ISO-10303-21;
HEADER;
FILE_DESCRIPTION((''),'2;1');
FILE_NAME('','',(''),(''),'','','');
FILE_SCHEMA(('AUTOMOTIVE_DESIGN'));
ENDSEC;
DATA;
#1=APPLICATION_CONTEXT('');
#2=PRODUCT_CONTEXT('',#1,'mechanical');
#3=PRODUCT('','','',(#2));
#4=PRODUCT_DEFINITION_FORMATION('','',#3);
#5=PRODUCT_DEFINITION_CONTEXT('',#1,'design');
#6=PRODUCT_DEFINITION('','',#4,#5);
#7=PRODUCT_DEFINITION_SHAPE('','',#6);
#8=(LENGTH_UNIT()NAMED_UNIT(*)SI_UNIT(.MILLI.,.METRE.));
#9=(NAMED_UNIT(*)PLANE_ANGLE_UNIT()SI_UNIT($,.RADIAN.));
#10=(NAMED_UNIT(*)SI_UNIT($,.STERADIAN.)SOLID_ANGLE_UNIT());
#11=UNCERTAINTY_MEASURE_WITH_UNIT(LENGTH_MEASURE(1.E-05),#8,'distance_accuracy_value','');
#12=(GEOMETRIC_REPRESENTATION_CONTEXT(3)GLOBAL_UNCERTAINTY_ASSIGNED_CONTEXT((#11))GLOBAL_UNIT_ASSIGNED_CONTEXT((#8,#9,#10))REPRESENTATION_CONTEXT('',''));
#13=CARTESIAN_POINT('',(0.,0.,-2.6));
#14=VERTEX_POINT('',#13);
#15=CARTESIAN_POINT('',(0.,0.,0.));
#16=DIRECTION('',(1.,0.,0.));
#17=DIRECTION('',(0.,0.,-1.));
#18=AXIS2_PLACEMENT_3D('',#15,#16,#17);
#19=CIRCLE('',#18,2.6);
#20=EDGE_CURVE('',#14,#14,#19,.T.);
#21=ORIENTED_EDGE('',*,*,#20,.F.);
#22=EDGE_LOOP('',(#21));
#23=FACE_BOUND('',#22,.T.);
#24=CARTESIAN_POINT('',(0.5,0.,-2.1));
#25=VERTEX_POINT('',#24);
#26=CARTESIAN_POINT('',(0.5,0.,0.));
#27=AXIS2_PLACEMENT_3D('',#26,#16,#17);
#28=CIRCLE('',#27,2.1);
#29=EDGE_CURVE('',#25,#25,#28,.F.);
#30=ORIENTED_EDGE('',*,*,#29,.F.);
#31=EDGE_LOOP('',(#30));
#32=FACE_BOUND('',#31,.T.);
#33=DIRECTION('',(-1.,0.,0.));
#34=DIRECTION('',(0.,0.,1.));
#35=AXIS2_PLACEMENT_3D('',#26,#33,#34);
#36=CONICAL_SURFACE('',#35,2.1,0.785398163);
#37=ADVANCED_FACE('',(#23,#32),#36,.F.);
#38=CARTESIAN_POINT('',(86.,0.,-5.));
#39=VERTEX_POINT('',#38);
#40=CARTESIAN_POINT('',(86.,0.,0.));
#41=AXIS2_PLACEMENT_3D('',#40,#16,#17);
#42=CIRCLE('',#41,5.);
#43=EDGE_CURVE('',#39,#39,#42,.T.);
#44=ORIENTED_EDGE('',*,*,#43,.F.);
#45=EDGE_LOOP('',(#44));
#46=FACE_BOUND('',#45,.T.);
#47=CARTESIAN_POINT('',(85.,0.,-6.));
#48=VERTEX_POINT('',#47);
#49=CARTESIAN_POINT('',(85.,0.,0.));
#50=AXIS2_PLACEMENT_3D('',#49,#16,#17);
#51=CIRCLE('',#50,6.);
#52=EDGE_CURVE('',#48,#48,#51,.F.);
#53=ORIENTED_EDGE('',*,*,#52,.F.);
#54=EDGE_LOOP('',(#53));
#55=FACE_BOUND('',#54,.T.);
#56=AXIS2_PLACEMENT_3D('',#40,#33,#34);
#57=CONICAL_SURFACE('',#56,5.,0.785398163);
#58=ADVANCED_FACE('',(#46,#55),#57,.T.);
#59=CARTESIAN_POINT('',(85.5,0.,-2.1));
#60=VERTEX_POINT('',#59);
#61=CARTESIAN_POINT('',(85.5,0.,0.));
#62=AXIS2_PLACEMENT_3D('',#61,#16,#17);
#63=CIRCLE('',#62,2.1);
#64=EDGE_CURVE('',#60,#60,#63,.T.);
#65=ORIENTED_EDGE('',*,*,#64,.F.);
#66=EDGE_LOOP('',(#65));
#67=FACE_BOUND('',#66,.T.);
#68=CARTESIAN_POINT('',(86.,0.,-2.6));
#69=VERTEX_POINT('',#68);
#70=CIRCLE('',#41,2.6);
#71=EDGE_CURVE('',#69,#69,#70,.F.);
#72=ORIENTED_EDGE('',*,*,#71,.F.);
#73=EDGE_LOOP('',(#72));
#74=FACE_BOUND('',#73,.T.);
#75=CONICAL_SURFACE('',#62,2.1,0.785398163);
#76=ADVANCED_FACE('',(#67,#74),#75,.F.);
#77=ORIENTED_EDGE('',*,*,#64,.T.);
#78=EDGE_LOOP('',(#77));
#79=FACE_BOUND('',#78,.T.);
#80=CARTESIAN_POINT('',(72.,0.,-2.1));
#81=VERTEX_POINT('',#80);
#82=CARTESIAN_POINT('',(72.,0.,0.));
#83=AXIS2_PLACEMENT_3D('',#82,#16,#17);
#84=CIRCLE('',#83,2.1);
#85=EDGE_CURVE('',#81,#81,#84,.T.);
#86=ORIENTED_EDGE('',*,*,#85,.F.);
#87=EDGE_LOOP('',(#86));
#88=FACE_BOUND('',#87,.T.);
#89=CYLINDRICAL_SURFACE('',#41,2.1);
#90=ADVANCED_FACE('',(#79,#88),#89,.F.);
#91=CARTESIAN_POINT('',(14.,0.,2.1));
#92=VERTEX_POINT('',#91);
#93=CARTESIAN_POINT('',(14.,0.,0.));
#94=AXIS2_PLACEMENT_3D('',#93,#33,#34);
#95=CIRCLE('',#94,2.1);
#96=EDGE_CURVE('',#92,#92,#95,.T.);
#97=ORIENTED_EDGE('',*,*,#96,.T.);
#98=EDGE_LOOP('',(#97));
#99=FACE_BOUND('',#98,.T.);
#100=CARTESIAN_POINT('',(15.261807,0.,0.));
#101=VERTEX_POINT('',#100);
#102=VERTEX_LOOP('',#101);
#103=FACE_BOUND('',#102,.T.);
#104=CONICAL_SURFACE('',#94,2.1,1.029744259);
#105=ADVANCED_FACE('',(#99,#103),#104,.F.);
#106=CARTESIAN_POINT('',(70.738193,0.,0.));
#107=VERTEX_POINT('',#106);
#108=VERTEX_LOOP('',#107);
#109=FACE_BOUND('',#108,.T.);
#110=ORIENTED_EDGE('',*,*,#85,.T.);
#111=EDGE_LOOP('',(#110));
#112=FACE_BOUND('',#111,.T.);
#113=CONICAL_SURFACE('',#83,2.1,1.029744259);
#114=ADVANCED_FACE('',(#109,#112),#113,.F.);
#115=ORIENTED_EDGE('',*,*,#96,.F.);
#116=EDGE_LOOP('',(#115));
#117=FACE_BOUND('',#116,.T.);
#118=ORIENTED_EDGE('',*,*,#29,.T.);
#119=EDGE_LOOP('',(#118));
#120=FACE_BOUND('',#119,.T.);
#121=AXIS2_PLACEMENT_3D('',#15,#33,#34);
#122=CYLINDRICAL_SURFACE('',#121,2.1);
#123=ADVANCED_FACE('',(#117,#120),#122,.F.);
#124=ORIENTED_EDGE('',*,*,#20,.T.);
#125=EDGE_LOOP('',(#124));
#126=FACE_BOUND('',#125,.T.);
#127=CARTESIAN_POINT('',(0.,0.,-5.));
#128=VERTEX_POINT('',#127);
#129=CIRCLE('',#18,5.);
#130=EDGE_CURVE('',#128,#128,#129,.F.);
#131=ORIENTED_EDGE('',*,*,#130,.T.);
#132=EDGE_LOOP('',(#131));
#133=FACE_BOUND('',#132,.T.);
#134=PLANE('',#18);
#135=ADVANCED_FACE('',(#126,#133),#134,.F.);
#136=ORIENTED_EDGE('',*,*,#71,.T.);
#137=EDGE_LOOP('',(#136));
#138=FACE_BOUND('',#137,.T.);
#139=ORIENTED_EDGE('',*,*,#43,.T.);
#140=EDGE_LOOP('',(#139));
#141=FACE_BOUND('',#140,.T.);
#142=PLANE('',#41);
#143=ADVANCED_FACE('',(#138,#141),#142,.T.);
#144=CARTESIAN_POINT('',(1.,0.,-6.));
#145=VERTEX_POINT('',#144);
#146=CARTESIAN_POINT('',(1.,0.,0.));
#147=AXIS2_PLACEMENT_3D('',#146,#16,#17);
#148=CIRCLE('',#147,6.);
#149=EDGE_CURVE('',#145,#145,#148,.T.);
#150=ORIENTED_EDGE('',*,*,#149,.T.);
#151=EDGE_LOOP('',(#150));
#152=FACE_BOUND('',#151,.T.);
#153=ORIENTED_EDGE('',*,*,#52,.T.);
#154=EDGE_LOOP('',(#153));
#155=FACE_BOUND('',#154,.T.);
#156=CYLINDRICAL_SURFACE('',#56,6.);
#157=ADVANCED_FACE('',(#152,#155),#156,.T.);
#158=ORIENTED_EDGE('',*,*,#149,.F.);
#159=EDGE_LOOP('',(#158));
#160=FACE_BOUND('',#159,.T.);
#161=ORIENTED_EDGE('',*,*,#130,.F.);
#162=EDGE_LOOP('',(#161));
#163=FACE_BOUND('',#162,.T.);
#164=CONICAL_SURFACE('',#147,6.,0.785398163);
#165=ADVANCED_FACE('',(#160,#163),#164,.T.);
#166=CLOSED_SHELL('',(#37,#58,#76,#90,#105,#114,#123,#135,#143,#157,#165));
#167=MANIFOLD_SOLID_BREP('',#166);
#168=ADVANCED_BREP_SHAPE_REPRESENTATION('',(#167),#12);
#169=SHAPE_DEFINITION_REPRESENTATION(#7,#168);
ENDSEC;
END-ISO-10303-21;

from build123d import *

# Parameters (mm, degrees)
SKETCH1_R             = 6
BOSS_EXTRUDE1_DEPTH   = 86
CHAMFER1_SIZE         = 1
M5_TAPPED_HOLE1_D     = 4.2
M5_TAPPED_HOLE1_DEPTH = 14
M5_TAPPED_HOLE1_TIP   = 1.2618073
CHAMFER2_SIZE         = 0.5
M5_TAPPED_HOLE2_D     = 4.2
M5_TAPPED_HOLE2_DEPTH = 14
M5_TAPPED_HOLE2_TIP   = 1.2618073
CHAMFER3_SIZE         = 0.5


with BuildPart() as part:
    # Sketch1 → Boss-Extrude1 (new body)
    with BuildSketch(Plane(origin=(0, 0, 0), x_dir=(0, 0, -1), z_dir=(1, 0, 0))):
        Circle(SKETCH1_R)
    extrude(amount=BOSS_EXTRUDE1_DEPTH)

    # Chamfer1
    chamfer1_edges = [part.edges().sort_by_distance(p)[0] for p in [
        (0, 0, 6),
        (86, 0, 6),
    ]]
    chamfer(chamfer1_edges, length=CHAMFER1_SIZE)

    # M5 Tapped Hole1
    with Locations(Plane(origin=(86, 0, 0), x_dir=(0, 0, -1), z_dir=(1, 0, 0))):
        with Locations((0, 0)):
            Hole(M5_TAPPED_HOLE1_D / 2, depth=M5_TAPPED_HOLE1_DEPTH)
            with Locations((0, 0, -(M5_TAPPED_HOLE1_DEPTH + M5_TAPPED_HOLE1_TIP / 2))):  # 118° drill point
                Cone(0, M5_TAPPED_HOLE1_D / 2, M5_TAPPED_HOLE1_TIP, mode=Mode.SUBTRACT)

    # Chamfer2
    chamfer2_edges = [part.edges().sort_by_distance(p)[0] for p in [
        (86, 0, -2.1),
    ]]
    chamfer(chamfer2_edges, length=CHAMFER2_SIZE)

    # M5 Tapped Hole2
    with Locations(Plane.ZY):
        with Locations((0, 0)):
            Hole(M5_TAPPED_HOLE2_D / 2, depth=M5_TAPPED_HOLE2_DEPTH)
            with Locations((0, 0, -(M5_TAPPED_HOLE2_DEPTH + M5_TAPPED_HOLE2_TIP / 2))):  # 118° drill point
                Cone(0, M5_TAPPED_HOLE2_D / 2, M5_TAPPED_HOLE2_TIP, mode=Mode.SUBTRACT)

    # Chamfer3
    chamfer3_edges = [part.edges().sort_by_distance(p)[0] for p in [
        (0, 0, 2.1),
    ]]
    chamfer(chamfer3_edges, length=CHAMFER3_SIZE)


solid = part.part
